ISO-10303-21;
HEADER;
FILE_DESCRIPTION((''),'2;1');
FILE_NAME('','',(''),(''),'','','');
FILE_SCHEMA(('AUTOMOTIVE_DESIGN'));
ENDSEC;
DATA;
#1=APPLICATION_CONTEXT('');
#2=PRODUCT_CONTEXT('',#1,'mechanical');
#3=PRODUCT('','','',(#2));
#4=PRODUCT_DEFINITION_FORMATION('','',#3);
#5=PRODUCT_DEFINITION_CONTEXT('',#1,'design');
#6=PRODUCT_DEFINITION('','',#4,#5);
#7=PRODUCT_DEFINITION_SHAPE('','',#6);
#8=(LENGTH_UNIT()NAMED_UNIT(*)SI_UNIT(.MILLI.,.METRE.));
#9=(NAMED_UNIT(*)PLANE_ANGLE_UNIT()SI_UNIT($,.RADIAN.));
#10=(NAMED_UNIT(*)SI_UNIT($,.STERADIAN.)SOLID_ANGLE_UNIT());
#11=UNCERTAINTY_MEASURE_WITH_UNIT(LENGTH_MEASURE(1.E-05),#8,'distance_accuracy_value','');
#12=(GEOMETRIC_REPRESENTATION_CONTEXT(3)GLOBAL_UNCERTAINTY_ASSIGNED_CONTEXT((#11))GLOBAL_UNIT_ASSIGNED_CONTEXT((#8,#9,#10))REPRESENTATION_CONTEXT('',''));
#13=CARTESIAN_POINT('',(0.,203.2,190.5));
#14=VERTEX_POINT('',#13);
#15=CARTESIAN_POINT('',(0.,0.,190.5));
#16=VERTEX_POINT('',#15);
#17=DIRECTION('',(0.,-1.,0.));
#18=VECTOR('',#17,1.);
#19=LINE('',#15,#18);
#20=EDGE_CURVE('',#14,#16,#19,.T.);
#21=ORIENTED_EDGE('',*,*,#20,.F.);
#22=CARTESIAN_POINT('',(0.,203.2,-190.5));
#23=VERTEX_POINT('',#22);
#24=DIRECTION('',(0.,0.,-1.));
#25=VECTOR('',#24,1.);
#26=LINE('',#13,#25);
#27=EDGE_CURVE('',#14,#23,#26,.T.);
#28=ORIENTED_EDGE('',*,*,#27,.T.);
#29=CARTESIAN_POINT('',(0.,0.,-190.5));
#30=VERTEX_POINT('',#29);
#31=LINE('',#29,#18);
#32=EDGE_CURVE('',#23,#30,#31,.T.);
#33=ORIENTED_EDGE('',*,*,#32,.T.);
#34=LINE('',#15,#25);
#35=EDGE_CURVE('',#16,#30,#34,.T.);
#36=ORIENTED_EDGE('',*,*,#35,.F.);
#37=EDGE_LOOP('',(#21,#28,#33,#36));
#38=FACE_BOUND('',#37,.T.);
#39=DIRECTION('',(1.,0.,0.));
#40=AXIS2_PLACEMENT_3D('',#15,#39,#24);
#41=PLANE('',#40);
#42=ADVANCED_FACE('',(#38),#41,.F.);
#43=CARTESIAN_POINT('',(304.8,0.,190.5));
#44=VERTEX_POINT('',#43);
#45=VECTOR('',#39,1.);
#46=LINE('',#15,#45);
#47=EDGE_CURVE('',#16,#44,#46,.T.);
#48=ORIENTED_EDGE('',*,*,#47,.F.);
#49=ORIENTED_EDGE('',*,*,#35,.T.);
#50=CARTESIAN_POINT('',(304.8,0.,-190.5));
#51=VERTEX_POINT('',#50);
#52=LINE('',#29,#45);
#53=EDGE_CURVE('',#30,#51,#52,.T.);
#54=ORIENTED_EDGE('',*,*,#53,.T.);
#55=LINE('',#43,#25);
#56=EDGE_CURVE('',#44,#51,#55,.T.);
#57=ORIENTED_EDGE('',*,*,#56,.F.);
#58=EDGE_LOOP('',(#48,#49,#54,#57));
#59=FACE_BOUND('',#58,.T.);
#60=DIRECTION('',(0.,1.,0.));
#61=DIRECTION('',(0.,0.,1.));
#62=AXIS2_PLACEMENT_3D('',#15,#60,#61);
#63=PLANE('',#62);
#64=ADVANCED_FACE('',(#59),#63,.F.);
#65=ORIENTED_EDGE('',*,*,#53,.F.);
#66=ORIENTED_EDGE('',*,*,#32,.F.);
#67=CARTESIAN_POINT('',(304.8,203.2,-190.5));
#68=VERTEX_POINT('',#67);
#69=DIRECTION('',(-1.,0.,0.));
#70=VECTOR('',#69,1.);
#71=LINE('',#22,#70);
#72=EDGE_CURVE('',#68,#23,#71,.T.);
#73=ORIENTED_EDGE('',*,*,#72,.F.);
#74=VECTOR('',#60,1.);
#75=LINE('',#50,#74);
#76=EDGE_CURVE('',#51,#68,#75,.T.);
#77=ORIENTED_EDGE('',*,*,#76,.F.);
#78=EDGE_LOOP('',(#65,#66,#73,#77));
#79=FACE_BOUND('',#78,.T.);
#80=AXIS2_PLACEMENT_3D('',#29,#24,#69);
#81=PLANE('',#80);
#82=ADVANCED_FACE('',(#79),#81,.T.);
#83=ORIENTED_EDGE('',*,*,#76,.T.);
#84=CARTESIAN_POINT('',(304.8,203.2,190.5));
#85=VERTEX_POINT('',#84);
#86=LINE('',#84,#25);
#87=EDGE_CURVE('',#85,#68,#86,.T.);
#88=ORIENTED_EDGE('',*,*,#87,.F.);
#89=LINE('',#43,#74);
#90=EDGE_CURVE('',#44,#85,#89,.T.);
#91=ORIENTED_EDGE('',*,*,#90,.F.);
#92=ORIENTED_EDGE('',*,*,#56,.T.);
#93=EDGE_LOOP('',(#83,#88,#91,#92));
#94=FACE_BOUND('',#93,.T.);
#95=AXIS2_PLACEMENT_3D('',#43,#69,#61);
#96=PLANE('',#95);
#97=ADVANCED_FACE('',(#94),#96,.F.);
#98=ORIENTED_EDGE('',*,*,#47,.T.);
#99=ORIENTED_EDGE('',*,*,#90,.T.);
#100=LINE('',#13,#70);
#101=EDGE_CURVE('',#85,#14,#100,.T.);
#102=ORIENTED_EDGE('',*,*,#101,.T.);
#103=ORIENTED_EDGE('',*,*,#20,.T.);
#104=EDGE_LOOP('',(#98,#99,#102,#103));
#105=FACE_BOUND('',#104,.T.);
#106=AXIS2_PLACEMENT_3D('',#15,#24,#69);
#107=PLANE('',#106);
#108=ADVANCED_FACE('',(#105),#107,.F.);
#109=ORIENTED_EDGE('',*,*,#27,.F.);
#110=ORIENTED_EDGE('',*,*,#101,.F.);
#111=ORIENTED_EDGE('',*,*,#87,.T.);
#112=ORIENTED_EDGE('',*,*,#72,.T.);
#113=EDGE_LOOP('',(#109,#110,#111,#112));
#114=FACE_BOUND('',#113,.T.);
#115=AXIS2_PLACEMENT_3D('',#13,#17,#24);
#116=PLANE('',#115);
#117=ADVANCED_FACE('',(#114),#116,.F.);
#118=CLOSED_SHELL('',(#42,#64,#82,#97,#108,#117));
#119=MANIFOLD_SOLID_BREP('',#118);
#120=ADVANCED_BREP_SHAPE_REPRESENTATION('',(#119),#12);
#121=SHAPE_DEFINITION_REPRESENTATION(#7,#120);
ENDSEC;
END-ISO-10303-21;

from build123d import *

# Parameters (mm, degrees)
SKETCH1_W           = 304.8
SKETCH1_H           = 203.2
BOSS_EXTRUDE1_DEPTH = 190.5


with BuildPart() as part:
    # Sketch1 → Boss-Extrude1 (new, symmetric)
    with BuildSketch(Plane.XY):
        with Locations((152.4, 101.6)):
            Rectangle(SKETCH1_W, SKETCH1_H)
    extrude(amount=BOSS_EXTRUDE1_DEPTH, both=True)


solid = part.part
